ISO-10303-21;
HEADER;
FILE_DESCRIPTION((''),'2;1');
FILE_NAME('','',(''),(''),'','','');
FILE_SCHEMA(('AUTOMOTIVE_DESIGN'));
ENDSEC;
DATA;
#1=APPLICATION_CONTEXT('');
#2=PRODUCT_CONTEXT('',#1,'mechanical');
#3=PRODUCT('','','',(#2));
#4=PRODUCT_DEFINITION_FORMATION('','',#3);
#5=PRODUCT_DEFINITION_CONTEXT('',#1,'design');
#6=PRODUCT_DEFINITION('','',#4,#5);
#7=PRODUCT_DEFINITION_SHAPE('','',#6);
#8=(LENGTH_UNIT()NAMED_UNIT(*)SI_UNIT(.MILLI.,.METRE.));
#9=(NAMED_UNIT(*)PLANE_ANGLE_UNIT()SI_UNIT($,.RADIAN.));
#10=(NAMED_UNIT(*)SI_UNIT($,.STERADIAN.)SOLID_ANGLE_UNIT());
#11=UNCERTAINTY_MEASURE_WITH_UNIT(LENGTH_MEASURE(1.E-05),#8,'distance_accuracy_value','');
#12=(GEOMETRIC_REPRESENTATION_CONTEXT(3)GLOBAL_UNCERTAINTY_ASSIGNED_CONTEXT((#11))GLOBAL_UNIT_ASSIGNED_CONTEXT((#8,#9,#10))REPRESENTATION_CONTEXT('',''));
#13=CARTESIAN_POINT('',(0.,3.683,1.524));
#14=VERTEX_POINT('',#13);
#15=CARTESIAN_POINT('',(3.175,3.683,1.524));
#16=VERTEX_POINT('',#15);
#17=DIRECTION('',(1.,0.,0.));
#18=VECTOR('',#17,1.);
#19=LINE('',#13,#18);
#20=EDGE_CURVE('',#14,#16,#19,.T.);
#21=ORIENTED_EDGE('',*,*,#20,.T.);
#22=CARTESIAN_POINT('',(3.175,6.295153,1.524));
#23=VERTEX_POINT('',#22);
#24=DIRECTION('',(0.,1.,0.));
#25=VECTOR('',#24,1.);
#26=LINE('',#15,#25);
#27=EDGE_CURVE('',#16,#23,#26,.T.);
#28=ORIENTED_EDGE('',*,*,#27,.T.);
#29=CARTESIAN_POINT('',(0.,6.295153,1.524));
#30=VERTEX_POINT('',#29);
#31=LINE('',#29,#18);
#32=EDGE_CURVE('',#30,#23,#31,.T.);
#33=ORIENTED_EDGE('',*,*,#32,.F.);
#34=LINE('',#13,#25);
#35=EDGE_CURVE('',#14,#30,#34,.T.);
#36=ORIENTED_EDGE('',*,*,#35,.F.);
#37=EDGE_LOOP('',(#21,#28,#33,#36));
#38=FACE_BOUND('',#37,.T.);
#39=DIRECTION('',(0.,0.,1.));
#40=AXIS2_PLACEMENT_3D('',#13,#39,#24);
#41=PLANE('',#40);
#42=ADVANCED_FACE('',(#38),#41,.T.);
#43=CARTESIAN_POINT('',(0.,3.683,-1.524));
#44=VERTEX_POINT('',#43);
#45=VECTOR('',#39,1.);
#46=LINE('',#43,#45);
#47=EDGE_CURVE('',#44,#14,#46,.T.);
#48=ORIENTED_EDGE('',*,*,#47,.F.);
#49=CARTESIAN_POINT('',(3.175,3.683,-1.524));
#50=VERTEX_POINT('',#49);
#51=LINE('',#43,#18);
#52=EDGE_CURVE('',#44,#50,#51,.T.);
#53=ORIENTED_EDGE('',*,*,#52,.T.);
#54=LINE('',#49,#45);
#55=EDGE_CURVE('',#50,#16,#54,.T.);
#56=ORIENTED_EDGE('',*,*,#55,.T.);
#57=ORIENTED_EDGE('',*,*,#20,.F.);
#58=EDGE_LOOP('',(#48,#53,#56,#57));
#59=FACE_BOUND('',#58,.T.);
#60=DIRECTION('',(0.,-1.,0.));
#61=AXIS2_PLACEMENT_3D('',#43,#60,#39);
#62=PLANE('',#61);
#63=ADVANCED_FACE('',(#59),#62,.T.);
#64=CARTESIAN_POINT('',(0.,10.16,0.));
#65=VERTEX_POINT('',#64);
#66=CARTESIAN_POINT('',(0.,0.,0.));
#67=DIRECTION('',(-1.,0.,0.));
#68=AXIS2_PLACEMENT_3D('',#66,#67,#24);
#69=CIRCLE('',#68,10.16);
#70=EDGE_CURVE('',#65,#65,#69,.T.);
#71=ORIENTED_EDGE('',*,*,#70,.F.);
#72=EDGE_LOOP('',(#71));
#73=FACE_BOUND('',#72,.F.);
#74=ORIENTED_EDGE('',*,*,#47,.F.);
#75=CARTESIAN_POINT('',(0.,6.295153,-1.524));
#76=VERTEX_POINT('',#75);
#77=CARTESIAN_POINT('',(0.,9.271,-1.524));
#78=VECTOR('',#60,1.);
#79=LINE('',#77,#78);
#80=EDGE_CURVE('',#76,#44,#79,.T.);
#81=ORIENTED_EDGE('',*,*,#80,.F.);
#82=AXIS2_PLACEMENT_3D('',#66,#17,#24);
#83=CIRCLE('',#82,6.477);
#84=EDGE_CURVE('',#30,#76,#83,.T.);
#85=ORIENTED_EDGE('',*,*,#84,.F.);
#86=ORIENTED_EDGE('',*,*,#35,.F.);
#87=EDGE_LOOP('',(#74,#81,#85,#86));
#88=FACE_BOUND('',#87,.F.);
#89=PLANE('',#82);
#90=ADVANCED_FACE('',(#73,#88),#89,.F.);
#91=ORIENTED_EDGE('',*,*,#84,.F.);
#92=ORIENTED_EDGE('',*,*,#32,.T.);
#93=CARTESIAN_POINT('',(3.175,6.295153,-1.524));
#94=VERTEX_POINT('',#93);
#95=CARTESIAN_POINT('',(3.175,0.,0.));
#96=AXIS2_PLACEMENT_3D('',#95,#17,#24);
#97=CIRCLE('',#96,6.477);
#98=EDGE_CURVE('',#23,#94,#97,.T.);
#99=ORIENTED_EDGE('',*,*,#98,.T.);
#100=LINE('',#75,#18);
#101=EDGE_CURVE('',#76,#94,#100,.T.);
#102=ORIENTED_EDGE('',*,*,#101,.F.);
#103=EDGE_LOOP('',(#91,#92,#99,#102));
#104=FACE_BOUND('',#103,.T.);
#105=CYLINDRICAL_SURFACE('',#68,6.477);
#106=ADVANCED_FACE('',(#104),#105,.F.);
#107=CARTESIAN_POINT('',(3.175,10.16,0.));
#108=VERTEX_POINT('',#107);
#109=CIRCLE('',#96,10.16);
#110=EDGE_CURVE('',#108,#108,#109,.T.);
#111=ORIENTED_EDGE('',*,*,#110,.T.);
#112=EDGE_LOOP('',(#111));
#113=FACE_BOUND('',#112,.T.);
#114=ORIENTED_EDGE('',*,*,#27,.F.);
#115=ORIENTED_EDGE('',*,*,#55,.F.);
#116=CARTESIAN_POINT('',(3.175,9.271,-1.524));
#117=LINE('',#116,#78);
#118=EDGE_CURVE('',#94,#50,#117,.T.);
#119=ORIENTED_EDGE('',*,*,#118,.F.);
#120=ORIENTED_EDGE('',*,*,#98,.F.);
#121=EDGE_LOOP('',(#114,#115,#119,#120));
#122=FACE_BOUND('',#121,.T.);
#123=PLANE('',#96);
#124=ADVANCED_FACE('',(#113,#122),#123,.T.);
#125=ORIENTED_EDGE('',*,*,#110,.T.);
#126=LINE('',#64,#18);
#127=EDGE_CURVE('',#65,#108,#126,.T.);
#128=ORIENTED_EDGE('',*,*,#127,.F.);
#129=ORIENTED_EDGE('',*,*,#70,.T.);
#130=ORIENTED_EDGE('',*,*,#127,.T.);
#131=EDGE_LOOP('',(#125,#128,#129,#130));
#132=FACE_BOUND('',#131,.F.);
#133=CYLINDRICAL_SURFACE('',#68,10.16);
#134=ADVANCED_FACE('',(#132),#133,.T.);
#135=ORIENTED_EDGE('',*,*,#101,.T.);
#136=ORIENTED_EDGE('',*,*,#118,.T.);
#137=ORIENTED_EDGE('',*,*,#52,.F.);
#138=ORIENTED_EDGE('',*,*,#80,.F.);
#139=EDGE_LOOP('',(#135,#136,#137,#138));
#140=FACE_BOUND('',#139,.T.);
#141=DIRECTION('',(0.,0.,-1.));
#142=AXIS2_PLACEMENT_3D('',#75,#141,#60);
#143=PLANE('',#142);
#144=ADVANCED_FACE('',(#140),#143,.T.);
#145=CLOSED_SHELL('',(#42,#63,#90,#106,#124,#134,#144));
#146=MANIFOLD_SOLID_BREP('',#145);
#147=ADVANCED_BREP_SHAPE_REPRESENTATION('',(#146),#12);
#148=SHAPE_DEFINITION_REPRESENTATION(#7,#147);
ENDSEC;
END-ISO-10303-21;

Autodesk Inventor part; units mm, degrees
ref_plane "YZ Plane" through (0, 0, 0) normal (1, 0, 0) x (0, 1, 0)
ref_plane "XZ Plane" through (0, 0, 0) normal (0, 1, 0) x (-1, 0, 0)
ref_plane "XY Plane" through (0, 0, 0) normal (0, 0, 1) x (1, 0, 0)
sketch "Sketch1" plane through (0, 0, 0) normal (1, 0, 0) x (0, 1, 0)
  circle A0 centre (0, 0) radius 6.477
  line L0 (9.271, 1.524) -> (9.271, -1.524)
  line L1 (9.271, -1.524) -> (3.683, -1.524)
  line L2 (3.683, -1.524) -> (3.683, 1.524)
  line L3 (3.683, 1.524) -> (9.271, 1.524)
  line L4 (9.271, 1.524) -> (3.683, -1.524) construction
  line L5 (9.271, -1.524) -> (3.683, 1.524) construction
  circle A1 centre (0, 0) radius 10.16
  line L6 (9.271, 1.524) -> (10.045, 1.524)
  line L7 (9.271, -1.524) -> (10.045, -1.524)
  point P0 (6.477, 0)
  point P1 (6.2952, -1.524)
  point P2 (6.2952, 1.524)
  dimension "d0" = 12.954
  dimension "d1" = 3.048
  dimension "d2" = 5.588
  dimension "d3" = 20.32
extrude "Extrusion1" add sketch "Sketch1" along normal blind 3.175 contours A0 L1 L2 L3 | A0 L3 L0 L1 | A0 L1 L7 A1 L6 L3 | L6 A1 L7 L0 picked at (4.6143, 0)
properties part number "handle insert cover"
